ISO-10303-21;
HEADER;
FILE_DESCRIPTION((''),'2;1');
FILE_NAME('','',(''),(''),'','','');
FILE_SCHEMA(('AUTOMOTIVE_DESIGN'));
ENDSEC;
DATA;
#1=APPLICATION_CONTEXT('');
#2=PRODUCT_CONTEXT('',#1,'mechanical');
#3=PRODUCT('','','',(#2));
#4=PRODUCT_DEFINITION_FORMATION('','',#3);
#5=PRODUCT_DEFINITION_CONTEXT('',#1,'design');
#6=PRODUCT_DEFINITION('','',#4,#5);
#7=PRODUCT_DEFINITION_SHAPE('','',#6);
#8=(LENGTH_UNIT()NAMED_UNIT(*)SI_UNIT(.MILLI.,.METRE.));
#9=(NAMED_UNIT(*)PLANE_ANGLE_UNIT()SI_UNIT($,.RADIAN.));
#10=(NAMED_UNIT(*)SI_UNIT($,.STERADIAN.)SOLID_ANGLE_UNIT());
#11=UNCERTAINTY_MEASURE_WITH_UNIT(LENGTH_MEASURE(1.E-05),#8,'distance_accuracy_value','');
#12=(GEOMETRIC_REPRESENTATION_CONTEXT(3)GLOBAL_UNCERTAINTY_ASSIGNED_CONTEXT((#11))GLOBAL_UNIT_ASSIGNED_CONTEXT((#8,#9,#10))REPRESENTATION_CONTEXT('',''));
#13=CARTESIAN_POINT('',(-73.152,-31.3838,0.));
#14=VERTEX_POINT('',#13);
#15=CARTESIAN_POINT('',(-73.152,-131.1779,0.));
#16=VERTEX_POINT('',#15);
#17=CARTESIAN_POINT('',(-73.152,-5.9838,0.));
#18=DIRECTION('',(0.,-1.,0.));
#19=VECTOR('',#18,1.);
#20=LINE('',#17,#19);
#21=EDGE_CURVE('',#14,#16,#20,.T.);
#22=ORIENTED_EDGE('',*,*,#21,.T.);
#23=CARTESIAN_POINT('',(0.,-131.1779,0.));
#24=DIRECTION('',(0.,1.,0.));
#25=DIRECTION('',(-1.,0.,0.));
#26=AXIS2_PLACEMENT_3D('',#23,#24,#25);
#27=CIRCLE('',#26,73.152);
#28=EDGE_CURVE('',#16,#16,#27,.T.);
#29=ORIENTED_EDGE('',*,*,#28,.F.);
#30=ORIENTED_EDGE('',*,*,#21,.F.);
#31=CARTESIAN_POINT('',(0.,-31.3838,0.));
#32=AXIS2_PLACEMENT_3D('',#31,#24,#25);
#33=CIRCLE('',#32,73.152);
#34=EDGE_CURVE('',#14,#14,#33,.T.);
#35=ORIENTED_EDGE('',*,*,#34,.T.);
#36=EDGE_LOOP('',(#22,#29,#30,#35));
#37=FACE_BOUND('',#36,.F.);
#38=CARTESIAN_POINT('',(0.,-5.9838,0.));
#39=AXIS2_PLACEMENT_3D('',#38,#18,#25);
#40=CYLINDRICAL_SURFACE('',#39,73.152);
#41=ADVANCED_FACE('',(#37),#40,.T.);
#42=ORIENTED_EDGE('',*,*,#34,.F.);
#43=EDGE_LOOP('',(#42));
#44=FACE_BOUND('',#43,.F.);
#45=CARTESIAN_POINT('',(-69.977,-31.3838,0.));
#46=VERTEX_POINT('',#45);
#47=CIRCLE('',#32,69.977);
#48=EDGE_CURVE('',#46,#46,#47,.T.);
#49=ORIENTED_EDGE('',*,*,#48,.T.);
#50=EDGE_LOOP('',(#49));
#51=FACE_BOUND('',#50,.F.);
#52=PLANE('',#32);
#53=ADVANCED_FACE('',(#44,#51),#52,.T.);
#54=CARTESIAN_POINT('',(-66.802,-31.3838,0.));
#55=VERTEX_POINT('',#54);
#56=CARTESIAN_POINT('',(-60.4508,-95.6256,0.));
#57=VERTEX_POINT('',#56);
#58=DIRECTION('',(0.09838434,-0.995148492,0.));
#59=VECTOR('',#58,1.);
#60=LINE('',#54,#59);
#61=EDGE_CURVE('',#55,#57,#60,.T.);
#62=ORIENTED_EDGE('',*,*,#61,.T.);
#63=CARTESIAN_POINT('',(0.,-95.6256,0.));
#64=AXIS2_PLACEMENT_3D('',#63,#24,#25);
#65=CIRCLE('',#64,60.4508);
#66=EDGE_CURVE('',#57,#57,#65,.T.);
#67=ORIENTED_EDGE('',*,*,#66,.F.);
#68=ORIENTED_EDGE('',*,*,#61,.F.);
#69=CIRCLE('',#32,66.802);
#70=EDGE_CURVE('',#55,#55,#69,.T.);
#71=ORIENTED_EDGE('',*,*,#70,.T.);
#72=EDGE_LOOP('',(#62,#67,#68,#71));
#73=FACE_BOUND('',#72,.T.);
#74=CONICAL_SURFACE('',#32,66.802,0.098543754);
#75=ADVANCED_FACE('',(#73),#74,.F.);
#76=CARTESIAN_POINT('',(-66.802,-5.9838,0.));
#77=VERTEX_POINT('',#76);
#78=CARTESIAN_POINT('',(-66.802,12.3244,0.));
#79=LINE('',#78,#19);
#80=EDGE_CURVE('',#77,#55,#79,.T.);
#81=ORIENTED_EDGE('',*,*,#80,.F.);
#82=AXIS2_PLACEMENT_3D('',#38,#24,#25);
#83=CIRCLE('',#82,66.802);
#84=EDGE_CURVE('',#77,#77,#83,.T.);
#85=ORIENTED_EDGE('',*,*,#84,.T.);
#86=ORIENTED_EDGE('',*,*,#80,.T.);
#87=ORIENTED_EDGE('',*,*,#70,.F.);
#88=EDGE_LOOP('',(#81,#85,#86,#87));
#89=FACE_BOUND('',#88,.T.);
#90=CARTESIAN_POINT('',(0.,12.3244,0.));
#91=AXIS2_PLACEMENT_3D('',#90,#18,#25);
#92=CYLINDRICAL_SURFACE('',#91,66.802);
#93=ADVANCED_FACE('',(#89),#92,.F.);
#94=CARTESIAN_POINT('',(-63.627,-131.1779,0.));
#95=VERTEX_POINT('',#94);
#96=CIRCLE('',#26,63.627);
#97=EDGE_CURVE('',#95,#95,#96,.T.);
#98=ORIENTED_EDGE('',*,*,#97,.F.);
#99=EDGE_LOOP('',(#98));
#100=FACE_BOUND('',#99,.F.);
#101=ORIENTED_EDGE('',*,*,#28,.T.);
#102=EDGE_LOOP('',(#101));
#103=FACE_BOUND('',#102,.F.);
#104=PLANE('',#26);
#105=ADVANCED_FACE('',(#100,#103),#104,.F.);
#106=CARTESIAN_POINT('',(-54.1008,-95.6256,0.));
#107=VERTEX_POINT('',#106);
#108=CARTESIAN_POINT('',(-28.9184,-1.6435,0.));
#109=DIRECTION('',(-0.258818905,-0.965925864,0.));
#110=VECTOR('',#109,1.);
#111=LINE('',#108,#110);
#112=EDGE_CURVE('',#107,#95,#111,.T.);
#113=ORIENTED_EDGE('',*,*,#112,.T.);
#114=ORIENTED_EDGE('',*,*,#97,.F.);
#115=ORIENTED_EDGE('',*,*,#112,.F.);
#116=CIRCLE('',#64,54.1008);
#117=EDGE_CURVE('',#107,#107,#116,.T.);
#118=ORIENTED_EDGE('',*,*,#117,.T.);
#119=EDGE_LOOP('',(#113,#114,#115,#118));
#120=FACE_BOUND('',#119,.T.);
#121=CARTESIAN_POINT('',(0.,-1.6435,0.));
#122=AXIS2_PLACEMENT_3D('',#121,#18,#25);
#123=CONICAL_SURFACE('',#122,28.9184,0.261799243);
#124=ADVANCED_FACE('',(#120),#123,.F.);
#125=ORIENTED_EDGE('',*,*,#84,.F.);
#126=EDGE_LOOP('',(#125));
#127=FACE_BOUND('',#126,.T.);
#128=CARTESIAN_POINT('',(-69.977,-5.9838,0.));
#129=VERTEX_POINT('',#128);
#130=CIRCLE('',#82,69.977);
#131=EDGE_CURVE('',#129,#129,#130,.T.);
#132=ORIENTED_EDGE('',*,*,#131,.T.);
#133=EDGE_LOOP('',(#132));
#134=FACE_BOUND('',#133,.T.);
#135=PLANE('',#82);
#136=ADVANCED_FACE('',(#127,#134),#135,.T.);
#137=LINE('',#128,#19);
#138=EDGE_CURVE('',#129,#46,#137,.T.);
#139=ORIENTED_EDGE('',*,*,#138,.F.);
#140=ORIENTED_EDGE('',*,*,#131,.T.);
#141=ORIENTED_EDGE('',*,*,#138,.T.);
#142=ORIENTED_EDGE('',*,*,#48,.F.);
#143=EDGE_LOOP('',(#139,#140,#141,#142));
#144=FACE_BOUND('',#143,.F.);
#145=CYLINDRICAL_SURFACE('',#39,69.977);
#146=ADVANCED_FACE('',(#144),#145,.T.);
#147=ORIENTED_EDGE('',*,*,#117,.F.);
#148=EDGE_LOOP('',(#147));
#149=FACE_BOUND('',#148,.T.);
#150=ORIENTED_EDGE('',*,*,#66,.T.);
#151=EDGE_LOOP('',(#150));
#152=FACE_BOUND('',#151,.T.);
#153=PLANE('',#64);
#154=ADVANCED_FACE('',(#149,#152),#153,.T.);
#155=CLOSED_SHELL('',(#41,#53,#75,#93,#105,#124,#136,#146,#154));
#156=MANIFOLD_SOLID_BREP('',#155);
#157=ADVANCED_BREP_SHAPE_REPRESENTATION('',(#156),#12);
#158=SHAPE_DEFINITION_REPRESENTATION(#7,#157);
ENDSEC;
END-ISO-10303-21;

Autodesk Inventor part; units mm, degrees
ref_plane "YZ Plane" through (0, 0, 0) normal (1, 0, 0) x (0, 1, 0)
ref_plane "XZ Plane" through (0, 0, 0) normal (0, 1, 0) x (-1, 0, 0)
ref_plane "XY Plane" through (0, 0, 0) normal (0, 0, 1) x (1, 0, 0)
sketch "Sketch1" plane through (0, 0, 0) normal (0, 0, 1) x (1, 0, 0)
  arc A0 (-28.9184, -1.6435) -> (-32.3684, 5.7551) centre (-35.052, 0) ccw
  line L0 (-28.702, 47.5942) -> (-28.702, -124.4009) construction
  line L1 (-32.3684, 5.7551) -> (-88.9, 32.1162)
  line L2 (-28.9184, -1.6435) -> (-86.2301, -215.5338)
  line L3 (-46.4564, 12.3244) -> (-66.802, 12.3244)
  line L4 (-60.4508, -95.6256) -> (-54.1008, -95.6256)
  line L5 (-73.152, -5.9838) -> (-73.152, -131.1779)
  line L6 (-73.152, -131.1779) -> (-63.627, -131.1779)
  line L7 (58.5667, 38.1) -> (-194.088, 38.1) construction
  line L8 (-95.25, 6.7162) -> (-95.25, -5.9838)
  line L9 (-95.25, 6.7162) -> (-88.9, 6.7162)
  line L10 (-88.9, 6.7162) -> (-88.9, 32.1162)
  line L11 (-95.25, -5.9838) -> (-73.152, -5.9838)
  line L12 (-95.25, -5.9838) -> (-95.25, -18.6838)
  line L13 (-95.25, -18.6838) -> (-89.3064, -18.6838)
  line L14 (-89.3064, -18.6838) -> (-89.3064, -24.6274)
  line L15 (-89.3064, -24.6274) -> (-95.25, -24.6274)
  line L16 (-95.25, -24.6274) -> (-95.25, -82.1838)
  line L17 (-95.25, -82.1838) -> (-82.55, -82.1838)
  line L18 (-89.3064, -18.6838) -> (-82.55, -18.6838)
  line L19 (-82.55, -18.6838) -> (-82.55, -82.1838)
  line L20 (-95.25, -82.1838) -> (-101.6, -82.1838)
  line L21 (-66.802, 12.3244) -> (-66.802, -31.3838)
  line L22 (-66.802, -31.3838) -> (-60.4508, -95.6256)
  line L23 (-82.55, -178.1009) -> (-76.2, -178.1009)
  line L24 (-82.55, -82.1838) -> (-82.55, -178.1009)
  line L25 (-86.2301, -215.5338) -> (-89.4051, -215.5338)
  line L26 (-89.4051, -215.5338) -> (-101.6, -82.1838)
  line L27 (-69.977, -5.9838) -> (-69.977, -31.3838)
  line L28 (-69.977, -31.3838) -> (-73.152, -31.3838)
  line L29 (-69.977, -5.9838) -> (-66.802, -5.9838)
  line L30 (-101.6, -82.1838) -> (-28.702, -82.1838) construction
  line L31 (0, -210.5351) -> (0, 86.485) construction
  point P0 (0, 0)
  dimension "d0" = 12.7
  dimension "d1" = 28.702
  dimension "d3" = 15
  dimension "d4" = 6.35
  dimension "d9" = 38.1
  dimension "d11" = 12.7
  dimension "d13" = 95.25
  dimension "d14" = 6.35
  dimension "d15" = 25.4
  dimension "d17" = 12.7
  dimension "d18" = 5.9436
  dimension "d19" = 5.9436
  dimension "d20" = 12.7
  dimension "d22" = 107.95
  dimension "d23" = 63.5
  dimension "d25" = 25.4
  dimension "d26" = 6.35
  dimension "d27" = 133.35
  dimension "d28" = 3.175
  dimension "d29" = 101.6
  dimension "d30" = 6.35
  dimension "d31" = 25
  dimension "d32" = 44.45
  dimension "d33" = 3.175
  dimension "d34" = 20.3456
  dimension "d35" = 9.525
revolve "Revolution1" add sketch "Sketch1" angle 360 about axis through (0, -210.5351, 0) along (0, 1, 0) contours L2 L6 L5 L28 L27 L29 L21 L22 L4
properties part number "phenolic_carrier" material "Phenolic Resin"
